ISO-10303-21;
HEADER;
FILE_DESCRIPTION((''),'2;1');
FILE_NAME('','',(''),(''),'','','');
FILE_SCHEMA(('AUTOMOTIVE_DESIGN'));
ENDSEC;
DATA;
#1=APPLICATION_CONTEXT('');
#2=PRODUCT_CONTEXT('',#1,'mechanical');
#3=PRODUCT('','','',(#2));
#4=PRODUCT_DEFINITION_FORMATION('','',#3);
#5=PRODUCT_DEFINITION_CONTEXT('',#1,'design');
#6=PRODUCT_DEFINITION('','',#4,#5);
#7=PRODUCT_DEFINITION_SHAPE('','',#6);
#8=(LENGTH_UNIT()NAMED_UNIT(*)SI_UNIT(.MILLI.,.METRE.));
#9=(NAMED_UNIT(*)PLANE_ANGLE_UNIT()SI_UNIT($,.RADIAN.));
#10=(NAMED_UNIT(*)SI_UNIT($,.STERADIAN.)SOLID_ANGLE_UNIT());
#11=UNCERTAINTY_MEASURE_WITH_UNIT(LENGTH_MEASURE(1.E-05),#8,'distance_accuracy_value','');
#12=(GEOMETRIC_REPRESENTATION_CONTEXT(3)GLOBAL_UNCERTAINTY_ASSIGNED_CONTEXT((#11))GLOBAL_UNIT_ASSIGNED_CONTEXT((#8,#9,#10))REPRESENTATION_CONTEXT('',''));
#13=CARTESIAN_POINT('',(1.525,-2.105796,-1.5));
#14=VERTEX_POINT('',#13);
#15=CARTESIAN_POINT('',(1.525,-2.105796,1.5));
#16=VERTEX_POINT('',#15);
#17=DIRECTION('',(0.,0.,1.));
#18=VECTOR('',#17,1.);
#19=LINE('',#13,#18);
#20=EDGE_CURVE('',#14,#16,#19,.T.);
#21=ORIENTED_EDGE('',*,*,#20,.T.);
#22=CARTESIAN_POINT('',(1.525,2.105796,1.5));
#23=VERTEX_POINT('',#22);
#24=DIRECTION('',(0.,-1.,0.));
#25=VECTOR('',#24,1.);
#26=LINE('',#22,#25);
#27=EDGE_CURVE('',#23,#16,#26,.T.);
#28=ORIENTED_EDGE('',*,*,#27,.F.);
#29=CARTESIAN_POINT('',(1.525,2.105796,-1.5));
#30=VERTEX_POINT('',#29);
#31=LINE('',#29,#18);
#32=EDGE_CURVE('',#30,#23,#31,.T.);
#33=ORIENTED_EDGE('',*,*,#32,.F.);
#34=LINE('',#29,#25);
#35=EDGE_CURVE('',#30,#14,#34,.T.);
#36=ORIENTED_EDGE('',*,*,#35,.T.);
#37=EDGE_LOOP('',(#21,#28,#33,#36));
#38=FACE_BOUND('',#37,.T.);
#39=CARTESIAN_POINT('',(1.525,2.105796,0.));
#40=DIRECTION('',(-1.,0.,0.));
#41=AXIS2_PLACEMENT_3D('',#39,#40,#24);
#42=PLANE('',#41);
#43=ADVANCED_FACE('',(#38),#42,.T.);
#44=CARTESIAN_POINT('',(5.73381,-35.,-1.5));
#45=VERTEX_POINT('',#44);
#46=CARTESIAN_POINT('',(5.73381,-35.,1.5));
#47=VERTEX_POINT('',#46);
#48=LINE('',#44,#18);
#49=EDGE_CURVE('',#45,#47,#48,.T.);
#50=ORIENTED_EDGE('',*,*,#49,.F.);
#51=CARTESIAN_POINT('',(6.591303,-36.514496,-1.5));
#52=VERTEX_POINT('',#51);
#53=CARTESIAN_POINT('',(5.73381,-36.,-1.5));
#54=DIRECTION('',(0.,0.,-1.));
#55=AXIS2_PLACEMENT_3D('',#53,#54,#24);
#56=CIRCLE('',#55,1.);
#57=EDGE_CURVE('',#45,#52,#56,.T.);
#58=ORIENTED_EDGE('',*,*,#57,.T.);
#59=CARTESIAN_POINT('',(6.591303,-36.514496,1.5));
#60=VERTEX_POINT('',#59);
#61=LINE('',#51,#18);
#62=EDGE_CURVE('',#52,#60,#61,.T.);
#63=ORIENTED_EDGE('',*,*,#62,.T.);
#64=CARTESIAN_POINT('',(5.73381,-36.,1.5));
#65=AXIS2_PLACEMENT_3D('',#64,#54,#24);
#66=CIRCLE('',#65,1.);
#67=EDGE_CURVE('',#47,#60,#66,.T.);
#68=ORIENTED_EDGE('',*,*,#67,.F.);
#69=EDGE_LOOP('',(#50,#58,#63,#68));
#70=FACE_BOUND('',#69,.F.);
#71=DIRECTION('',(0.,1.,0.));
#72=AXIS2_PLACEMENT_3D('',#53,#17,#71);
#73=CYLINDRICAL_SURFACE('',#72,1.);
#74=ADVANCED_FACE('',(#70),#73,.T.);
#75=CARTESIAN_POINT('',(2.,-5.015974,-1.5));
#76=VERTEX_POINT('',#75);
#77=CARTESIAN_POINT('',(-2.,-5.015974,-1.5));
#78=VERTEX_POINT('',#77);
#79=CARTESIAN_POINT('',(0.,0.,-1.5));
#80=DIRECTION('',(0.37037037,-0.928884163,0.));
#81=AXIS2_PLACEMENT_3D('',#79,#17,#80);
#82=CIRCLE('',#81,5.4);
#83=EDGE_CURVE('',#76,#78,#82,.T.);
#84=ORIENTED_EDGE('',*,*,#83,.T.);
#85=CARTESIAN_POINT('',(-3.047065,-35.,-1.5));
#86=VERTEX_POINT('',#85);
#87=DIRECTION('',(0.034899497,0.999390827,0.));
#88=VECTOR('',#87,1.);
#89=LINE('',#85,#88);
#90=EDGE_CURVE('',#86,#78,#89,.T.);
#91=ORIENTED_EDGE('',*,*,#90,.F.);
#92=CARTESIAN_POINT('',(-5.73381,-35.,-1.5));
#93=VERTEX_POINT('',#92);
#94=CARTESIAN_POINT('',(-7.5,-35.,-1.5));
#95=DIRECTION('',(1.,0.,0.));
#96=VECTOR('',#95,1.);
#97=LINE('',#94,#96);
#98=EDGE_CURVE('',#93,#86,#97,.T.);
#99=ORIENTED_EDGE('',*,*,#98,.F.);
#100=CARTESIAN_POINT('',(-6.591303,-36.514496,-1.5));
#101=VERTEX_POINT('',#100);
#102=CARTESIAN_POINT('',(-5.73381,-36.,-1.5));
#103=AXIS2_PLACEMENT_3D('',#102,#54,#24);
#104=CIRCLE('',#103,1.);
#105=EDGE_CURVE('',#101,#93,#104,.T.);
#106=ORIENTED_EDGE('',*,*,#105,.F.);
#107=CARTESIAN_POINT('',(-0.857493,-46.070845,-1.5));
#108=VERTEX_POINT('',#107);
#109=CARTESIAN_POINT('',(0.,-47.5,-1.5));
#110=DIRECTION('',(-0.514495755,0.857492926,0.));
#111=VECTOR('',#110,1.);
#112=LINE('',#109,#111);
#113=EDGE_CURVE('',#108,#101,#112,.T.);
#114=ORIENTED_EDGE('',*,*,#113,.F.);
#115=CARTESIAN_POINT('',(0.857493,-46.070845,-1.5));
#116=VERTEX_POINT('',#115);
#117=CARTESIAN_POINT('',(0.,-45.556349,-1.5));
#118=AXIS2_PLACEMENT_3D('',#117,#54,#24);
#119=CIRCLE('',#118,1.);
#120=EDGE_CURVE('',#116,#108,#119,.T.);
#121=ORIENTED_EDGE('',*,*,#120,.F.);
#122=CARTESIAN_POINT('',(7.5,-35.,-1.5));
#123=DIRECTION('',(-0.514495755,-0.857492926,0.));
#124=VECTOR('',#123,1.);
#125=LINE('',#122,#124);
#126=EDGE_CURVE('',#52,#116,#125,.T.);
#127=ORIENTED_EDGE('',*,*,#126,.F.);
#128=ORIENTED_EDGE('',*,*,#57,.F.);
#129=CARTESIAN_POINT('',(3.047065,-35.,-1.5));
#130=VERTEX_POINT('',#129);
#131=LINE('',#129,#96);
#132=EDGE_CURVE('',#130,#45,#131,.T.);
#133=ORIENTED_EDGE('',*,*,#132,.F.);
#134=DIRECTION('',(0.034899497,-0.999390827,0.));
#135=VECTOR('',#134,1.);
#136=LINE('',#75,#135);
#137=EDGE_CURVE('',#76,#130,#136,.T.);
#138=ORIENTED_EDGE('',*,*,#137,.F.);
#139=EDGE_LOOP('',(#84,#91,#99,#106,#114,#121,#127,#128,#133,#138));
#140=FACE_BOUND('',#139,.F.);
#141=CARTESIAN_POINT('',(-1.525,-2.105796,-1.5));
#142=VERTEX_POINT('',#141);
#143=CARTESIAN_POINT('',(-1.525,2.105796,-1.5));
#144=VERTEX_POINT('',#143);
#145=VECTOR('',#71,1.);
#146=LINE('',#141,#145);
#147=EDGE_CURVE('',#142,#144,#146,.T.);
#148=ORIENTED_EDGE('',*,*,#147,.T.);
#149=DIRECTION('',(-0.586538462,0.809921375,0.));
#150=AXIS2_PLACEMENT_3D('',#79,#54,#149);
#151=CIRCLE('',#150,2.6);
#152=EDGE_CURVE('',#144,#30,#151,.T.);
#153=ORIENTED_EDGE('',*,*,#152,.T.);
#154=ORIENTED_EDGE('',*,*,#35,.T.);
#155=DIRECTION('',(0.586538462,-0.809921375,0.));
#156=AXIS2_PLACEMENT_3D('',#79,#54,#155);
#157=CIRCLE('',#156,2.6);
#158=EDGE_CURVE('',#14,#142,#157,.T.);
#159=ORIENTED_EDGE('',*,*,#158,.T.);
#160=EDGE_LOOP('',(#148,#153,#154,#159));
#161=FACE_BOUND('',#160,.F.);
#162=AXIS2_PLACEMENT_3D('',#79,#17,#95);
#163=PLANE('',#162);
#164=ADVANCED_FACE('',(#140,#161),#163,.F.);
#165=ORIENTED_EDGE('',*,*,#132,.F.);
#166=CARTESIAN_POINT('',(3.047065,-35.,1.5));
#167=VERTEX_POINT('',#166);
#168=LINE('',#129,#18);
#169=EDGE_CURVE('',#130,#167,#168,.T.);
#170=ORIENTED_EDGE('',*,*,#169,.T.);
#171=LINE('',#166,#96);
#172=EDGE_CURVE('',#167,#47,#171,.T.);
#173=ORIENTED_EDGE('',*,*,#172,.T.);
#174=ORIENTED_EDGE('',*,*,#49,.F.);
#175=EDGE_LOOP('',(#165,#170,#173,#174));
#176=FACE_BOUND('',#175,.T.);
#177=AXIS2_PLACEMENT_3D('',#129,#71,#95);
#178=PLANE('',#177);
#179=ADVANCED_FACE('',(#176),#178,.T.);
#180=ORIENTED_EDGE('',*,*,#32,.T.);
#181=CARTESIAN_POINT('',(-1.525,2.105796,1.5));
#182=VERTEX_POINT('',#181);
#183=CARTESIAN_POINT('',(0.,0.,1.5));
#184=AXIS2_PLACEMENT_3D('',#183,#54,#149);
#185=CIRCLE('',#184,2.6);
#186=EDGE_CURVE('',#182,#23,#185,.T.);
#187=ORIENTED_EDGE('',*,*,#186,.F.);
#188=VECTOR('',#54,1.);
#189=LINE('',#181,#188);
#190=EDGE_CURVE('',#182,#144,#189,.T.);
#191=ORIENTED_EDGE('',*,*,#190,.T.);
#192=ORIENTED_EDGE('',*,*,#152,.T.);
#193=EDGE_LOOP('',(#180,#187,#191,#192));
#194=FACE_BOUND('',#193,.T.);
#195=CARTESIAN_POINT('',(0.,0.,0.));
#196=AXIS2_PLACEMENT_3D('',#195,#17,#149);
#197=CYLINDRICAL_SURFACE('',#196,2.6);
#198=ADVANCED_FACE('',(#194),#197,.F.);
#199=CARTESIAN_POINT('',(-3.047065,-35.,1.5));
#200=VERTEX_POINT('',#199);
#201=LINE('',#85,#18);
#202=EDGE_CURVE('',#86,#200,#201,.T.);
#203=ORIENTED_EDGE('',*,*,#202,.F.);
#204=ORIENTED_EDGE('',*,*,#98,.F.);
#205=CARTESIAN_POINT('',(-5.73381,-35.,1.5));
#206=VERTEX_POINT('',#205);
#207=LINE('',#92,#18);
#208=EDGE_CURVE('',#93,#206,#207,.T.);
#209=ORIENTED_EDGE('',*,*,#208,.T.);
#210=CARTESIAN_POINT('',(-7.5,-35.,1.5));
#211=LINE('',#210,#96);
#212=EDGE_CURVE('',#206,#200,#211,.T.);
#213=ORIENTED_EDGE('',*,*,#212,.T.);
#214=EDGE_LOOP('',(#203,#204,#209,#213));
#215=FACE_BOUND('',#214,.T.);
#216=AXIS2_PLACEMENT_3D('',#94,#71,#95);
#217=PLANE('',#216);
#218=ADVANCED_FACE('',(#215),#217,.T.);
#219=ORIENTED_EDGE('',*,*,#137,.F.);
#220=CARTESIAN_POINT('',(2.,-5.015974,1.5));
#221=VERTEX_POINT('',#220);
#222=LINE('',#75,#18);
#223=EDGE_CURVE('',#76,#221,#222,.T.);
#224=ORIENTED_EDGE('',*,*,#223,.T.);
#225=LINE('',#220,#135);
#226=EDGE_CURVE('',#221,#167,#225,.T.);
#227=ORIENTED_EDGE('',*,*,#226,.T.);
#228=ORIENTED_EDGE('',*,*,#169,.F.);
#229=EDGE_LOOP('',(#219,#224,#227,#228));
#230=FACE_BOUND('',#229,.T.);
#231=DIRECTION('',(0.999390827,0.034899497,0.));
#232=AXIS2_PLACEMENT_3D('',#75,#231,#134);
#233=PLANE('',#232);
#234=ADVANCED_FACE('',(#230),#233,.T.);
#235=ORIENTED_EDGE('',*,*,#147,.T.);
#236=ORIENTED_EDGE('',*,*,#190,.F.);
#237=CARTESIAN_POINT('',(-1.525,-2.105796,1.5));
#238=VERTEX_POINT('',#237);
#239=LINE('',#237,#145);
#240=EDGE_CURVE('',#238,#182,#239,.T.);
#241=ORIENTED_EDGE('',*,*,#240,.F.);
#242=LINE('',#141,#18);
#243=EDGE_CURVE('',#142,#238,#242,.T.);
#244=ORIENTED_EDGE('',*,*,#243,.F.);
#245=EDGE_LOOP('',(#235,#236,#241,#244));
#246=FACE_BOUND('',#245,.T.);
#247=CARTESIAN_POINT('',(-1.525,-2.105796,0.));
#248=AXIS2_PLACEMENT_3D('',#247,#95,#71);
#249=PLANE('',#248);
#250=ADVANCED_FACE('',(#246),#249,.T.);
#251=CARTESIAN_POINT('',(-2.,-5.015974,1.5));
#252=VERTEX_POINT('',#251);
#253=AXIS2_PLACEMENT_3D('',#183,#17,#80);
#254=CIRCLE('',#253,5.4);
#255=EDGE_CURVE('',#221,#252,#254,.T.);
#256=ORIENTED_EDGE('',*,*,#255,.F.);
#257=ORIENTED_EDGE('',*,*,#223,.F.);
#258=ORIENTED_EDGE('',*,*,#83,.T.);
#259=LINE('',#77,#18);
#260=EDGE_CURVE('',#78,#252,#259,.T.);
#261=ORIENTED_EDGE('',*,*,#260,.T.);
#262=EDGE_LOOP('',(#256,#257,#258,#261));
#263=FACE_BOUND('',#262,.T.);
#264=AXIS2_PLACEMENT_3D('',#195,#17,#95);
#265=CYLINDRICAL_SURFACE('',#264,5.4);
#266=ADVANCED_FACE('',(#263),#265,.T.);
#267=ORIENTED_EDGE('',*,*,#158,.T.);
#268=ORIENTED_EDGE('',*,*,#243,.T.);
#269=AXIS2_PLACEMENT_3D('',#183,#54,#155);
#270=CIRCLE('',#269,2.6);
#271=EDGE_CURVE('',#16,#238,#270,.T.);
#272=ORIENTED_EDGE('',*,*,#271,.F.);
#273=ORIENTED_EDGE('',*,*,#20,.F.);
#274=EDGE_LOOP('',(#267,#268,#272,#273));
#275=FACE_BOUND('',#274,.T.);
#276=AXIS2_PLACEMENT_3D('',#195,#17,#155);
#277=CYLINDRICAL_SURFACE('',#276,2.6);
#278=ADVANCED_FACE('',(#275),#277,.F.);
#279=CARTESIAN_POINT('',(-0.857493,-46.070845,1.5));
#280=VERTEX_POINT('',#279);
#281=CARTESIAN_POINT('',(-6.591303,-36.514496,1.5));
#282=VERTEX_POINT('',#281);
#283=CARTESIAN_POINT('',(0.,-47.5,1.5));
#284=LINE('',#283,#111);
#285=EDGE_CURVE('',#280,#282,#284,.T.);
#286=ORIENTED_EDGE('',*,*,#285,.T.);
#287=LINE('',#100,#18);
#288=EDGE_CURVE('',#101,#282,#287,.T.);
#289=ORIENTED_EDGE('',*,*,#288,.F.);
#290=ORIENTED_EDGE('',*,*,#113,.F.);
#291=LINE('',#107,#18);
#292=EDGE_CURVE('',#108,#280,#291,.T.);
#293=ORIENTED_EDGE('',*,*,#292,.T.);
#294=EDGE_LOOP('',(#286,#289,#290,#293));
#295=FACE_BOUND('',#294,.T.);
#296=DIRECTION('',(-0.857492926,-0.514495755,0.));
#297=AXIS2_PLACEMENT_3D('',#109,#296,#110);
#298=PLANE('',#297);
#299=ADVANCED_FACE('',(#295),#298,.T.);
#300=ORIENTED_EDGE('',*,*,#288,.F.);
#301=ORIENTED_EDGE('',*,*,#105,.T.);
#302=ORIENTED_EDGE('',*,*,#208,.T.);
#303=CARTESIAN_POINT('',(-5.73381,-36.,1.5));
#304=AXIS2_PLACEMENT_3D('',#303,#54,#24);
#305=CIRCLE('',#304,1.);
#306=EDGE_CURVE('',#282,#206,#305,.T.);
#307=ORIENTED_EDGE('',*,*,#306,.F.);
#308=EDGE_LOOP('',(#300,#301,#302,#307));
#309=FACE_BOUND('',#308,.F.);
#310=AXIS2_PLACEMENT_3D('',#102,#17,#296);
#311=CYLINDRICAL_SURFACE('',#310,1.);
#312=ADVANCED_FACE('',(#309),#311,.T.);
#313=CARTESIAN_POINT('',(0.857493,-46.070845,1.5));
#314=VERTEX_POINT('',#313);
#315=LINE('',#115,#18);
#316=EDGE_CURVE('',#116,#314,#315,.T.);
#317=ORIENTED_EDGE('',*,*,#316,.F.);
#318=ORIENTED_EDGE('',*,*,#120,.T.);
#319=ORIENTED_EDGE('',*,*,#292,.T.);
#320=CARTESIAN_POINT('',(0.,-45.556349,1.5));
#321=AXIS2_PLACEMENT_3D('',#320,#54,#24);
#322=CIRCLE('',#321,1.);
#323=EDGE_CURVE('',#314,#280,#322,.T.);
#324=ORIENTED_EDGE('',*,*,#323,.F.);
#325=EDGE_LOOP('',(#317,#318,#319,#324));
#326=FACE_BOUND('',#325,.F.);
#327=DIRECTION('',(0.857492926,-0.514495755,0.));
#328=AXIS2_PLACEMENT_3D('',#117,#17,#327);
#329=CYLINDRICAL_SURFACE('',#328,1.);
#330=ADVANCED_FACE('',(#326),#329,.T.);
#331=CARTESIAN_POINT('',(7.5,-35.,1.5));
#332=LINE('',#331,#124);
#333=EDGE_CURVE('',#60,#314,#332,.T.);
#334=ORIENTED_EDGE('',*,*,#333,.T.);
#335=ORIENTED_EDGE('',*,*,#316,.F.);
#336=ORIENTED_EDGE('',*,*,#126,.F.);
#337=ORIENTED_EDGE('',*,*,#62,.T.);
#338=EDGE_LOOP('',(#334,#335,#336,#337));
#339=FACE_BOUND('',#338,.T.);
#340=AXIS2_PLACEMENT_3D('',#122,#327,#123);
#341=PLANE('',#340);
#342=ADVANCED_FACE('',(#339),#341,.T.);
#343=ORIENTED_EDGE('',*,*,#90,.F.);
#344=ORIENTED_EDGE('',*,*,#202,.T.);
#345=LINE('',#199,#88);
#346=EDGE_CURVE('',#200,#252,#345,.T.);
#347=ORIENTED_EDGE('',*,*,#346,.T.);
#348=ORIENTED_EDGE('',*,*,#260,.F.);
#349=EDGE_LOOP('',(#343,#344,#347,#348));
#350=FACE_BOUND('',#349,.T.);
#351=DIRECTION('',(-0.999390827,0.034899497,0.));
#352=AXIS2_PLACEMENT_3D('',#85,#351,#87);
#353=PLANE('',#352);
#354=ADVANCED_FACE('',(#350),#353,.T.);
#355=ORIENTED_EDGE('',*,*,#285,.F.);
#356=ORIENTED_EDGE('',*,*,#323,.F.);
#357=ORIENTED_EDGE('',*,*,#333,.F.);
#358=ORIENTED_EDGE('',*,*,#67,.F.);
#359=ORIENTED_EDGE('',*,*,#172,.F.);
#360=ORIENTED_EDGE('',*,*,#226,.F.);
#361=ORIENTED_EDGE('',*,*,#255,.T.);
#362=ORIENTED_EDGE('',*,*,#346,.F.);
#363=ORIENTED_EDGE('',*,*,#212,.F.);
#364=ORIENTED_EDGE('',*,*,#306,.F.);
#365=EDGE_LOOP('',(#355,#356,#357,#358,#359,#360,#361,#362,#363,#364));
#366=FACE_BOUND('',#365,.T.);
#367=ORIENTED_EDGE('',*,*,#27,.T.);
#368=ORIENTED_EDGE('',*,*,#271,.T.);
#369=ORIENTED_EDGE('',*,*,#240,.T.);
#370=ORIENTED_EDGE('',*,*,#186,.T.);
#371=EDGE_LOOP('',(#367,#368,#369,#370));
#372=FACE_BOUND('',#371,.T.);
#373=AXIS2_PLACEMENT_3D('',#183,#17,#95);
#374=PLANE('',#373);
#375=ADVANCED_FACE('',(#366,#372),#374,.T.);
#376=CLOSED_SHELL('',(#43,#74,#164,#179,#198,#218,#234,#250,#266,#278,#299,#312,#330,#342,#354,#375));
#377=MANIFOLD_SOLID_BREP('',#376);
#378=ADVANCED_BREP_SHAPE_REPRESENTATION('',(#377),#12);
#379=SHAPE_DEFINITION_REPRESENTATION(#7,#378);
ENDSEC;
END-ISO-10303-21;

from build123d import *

# Parameters (mm, degrees)
F0_R     = 5.4
F1_DEPTH = 1.5
F3_DEPTH = 3
F4_R     = 1


with BuildPart() as f1:
    # F0 (on Top) → F1 (new body, symmetric)
    with BuildSketch(Plane.XY):
        Circle(F0_R)
        with BuildLine():
            ThreePointArc((1.525, 2.1057955741), (2.3157072354, 1.1821590418), (2.6, 0))
            ThreePointArc((2.6, 0), (2.3157072354, -1.1821590418), (1.525, -2.1057955741))
            ThreePointArc((1.525, -2.1057955741), (0, -2.6), (-1.525, -2.1057955741))
            ThreePointArc((-1.525, -2.1057955741), (-2.6, 0), (-1.525, 2.1057955741))
            ThreePointArc((-1.525, 2.1057955741), (0, 2.6), (1.525, 2.1057955741))
        make_face(mode=Mode.SUBTRACT)
        with BuildLine():
            ThreePointArc((1.525, -2.1057955741), (2.3157072354, -1.1821590418), (2.6, 0))
            ThreePointArc((2.6, 0), (2.3157072354, 1.1821590418), (1.525, 2.1057955741))
            Line((1.525, 2.1057955741), (1.525, -2.1057955741))
        make_face()
        with BuildLine():
            Line((-1.525, -2.1057955741), (-1.525, 2.1057955741))
            ThreePointArc((-1.525, 2.1057955741), (-2.6, 0), (-1.525, -2.1057955741))
        make_face()
    extrude(amount=F1_DEPTH, both=True)

    # F2 (on face) → F3 (join, through all)
    with BuildSketch(Plane(origin=(0, 0, -1.5), x_dir=(1, 0, 0), z_dir=(0, 0, -1))):
        Polygon((-2, 5.0159744816), (0, 5.0159744816), (0, 35), (-3.0470652436, 35), align=None)
        Polygon((0, 35), (0, 5.0159744816), (2, 5.0159744816), (3.0470652436, 35), align=None)
        Polygon((0, 47.5), (0, 35), (3.0470652436, 35), (7.5, 35), align=None)
        Polygon((-3.0470652436, 35), (0, 35), (0, 47.5), (-7.5, 35), align=None)
    extrude(amount=-F3_DEPTH)

    # F4
    f4_edges = [f1.edges().sort_by_distance(p)[0] for p in [
        (0, -47.5, 0),
        (-7.5, -35, 0),
        (7.5, -35, 0),
    ]]
    fillet(f4_edges, radius=F4_R)


solid = f1.part
